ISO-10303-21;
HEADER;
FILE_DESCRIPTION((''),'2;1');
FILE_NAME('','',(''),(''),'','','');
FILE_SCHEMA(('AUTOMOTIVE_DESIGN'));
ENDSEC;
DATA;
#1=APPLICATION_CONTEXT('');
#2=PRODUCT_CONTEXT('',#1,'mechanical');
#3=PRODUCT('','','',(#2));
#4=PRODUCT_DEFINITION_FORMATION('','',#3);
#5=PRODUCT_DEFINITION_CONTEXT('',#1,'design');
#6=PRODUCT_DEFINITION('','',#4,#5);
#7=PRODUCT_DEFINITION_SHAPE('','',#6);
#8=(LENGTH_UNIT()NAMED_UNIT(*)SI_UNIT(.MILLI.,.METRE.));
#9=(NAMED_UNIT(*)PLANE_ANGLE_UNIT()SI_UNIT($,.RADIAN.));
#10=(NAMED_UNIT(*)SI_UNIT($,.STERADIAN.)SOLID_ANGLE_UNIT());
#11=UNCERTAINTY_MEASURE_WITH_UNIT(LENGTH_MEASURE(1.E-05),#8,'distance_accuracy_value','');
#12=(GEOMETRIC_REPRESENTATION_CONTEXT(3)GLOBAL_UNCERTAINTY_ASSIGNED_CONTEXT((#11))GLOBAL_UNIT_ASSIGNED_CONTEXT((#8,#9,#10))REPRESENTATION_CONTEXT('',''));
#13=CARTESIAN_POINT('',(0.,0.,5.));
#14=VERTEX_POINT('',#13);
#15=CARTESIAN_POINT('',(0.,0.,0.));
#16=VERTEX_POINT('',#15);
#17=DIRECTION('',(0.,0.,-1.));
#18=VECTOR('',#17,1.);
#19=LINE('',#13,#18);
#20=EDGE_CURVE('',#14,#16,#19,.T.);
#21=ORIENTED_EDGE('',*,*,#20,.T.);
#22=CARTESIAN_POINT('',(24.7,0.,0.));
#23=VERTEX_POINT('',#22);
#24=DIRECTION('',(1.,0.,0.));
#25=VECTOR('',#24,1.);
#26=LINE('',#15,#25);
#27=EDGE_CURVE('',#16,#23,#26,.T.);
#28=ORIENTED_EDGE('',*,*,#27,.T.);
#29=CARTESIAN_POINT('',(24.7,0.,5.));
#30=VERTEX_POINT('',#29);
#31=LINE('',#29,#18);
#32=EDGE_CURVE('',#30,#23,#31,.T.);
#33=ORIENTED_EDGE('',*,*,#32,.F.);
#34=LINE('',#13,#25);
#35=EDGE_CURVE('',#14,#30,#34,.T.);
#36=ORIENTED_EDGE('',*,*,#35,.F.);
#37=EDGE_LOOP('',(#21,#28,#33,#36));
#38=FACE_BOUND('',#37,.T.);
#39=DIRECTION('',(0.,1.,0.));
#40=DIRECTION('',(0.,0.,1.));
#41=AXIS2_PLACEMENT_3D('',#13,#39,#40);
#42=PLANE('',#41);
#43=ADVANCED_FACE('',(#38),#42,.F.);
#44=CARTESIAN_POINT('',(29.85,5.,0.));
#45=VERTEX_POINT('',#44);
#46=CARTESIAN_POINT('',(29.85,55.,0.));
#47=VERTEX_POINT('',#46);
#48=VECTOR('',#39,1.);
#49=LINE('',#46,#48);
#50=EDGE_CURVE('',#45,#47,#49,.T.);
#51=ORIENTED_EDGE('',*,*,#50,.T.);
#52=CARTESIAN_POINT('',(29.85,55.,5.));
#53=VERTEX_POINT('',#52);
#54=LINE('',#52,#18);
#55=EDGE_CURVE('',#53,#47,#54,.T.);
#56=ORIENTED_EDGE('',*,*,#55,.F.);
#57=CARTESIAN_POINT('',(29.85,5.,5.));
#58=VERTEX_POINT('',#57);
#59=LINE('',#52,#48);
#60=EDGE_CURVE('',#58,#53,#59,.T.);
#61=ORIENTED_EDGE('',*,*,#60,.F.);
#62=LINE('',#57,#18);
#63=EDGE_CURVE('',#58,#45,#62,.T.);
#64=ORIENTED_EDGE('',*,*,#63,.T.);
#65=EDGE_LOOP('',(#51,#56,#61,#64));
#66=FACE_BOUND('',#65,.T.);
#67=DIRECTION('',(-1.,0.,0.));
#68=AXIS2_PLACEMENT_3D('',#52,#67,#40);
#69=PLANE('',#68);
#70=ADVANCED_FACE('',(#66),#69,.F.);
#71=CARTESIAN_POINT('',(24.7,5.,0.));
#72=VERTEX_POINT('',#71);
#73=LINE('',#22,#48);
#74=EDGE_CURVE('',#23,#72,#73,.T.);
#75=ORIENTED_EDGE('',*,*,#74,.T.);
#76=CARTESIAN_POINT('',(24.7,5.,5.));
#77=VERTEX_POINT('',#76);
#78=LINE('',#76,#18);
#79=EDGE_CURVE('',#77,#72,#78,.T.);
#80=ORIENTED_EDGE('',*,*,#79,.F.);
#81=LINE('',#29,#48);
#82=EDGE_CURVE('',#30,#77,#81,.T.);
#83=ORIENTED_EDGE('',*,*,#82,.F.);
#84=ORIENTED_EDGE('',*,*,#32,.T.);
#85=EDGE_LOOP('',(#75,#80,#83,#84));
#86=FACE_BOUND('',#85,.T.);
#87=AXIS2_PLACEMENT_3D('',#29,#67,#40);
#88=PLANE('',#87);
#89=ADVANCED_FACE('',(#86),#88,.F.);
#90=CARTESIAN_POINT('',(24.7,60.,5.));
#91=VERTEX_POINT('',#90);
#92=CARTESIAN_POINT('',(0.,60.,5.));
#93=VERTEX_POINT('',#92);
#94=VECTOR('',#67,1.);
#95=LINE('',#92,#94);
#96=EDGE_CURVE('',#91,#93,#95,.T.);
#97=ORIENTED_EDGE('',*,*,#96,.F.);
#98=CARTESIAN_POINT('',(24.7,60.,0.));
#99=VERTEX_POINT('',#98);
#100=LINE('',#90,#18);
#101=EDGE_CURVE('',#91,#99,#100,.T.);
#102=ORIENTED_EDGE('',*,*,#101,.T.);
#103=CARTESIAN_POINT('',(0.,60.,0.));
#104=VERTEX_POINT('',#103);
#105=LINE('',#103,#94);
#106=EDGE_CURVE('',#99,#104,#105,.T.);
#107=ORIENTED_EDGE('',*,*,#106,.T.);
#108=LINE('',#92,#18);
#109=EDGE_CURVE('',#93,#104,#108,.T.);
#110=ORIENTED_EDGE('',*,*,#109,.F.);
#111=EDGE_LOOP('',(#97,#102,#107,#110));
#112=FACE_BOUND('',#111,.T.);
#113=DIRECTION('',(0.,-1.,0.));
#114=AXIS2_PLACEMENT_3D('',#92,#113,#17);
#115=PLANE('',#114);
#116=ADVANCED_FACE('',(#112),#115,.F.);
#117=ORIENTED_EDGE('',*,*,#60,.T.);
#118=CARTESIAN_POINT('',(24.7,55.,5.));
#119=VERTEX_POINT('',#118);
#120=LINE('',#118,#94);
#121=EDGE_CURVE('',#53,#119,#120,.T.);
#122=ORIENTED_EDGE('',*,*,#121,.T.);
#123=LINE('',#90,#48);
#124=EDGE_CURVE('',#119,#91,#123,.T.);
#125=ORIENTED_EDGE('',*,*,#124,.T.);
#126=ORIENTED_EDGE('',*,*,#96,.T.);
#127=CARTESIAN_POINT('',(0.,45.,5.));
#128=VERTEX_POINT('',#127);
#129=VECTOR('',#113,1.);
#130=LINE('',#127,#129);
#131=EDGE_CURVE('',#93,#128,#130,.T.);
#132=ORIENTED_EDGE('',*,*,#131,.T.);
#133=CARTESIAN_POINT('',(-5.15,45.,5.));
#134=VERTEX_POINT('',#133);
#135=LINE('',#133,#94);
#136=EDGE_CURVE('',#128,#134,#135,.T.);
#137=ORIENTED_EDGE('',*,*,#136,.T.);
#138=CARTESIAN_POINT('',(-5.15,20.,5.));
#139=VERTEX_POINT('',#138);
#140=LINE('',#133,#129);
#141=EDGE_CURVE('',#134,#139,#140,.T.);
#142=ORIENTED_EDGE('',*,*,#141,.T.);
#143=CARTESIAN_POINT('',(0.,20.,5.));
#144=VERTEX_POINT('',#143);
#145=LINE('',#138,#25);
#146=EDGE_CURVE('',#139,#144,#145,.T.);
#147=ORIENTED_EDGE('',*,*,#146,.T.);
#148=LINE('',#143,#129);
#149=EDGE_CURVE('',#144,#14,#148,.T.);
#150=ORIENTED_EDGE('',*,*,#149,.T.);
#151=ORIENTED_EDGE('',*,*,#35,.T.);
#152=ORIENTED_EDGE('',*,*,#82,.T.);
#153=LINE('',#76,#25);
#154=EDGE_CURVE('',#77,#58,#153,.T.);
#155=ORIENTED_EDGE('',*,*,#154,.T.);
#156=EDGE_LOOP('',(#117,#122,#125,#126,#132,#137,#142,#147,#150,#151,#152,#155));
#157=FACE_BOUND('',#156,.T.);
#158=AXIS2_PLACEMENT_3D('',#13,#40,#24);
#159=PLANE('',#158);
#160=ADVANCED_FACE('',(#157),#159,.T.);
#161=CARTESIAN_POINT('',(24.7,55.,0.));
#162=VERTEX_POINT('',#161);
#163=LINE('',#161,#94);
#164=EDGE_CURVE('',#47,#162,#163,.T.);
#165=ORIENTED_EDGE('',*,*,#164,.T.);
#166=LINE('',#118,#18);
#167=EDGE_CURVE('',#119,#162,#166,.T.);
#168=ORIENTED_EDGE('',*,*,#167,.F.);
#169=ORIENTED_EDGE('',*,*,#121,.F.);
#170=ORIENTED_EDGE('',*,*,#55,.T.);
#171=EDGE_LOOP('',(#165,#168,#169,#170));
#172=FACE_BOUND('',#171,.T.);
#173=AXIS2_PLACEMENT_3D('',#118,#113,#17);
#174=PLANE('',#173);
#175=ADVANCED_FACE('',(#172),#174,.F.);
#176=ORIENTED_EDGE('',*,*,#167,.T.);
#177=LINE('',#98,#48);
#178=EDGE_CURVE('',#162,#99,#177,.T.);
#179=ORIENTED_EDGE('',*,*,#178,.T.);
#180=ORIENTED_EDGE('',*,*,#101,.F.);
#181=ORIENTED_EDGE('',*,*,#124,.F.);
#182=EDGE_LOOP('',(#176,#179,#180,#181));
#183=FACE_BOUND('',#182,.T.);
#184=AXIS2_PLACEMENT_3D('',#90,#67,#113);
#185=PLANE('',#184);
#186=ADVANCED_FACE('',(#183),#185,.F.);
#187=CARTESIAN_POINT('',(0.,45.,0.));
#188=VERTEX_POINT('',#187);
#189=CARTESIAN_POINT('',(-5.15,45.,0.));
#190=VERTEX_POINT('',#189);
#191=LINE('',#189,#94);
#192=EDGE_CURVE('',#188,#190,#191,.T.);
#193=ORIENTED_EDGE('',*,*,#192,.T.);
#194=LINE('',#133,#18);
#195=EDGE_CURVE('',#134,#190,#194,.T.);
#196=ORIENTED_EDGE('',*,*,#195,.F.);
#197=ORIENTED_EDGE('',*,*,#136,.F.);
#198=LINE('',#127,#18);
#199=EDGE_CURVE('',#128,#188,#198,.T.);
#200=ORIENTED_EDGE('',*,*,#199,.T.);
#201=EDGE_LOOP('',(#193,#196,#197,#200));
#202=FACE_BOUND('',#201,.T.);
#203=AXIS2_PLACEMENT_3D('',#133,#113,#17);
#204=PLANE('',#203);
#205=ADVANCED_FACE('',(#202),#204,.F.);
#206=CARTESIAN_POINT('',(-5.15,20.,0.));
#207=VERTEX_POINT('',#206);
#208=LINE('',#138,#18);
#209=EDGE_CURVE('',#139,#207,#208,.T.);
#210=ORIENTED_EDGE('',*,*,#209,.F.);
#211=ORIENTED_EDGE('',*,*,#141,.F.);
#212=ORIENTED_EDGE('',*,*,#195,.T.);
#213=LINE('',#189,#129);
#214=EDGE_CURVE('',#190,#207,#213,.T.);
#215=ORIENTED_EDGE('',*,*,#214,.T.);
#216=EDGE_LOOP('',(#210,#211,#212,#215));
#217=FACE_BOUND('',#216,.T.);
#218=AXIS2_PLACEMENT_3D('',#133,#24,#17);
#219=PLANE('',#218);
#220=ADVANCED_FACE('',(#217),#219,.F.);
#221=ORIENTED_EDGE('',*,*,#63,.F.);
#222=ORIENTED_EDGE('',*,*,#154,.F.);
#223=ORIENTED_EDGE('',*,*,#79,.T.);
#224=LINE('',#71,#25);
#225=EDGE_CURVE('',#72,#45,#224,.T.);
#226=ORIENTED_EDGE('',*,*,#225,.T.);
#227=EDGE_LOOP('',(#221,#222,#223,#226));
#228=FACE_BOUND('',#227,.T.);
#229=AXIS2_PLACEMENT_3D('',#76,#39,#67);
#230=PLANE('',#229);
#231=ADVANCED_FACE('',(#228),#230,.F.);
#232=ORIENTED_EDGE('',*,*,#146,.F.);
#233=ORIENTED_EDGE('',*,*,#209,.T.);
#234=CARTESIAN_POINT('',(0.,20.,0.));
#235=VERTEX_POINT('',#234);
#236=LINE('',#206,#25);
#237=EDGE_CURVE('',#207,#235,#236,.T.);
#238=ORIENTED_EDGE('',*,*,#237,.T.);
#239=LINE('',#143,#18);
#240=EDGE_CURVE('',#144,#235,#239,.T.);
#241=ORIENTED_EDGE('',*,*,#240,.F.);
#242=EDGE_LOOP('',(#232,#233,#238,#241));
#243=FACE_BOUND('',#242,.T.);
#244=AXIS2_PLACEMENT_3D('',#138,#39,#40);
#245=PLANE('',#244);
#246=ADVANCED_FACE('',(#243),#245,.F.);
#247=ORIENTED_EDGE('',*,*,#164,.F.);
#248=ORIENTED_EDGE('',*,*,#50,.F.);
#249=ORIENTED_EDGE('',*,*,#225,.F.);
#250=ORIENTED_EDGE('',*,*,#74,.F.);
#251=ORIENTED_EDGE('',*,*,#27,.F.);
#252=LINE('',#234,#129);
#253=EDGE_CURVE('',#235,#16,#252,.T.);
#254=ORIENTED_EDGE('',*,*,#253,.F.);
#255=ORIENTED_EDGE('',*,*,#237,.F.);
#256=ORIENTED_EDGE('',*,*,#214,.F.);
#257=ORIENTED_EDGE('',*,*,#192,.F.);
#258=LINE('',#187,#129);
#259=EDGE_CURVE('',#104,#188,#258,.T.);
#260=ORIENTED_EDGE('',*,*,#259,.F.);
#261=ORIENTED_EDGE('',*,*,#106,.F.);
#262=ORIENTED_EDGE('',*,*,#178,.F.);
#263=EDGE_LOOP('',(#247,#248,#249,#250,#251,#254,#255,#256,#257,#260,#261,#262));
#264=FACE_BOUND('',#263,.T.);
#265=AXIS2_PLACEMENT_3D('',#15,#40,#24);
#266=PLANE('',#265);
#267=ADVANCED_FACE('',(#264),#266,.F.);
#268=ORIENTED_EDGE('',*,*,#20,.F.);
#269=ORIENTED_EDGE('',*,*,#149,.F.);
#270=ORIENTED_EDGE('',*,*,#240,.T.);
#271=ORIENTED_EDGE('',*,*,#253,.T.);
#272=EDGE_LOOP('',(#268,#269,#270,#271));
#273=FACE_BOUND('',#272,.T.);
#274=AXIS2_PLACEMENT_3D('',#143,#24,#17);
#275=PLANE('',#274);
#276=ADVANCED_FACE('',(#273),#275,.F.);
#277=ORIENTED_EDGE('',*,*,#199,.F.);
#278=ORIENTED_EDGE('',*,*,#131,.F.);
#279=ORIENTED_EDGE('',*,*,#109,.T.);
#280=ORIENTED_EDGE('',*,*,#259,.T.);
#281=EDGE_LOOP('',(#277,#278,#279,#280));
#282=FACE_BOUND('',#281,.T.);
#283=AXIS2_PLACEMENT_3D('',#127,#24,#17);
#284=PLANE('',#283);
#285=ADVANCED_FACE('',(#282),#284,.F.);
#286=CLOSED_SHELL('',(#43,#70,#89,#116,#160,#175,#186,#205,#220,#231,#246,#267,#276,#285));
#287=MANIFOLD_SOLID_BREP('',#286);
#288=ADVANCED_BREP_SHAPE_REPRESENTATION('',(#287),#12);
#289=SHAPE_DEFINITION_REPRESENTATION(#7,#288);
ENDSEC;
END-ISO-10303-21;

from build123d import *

# Parameters (mm, degrees)
BOSS_EXTRUDE1_DEPTH = 5


with BuildPart() as part:
    # Sketch1 → Boss-Extrude1 (new body)
    with BuildSketch(Plane.XY):
        Polygon((-5.15, 45), (0, 45), (0, 60), (24.7, 60), (24.7, 55), (29.85, 55), (29.85, 5), (24.7, 5), (24.7, 0), (0, 0), (0, 20), (-5.15, 20), align=None)
    extrude(amount=BOSS_EXTRUDE1_DEPTH)


solid = part.part
